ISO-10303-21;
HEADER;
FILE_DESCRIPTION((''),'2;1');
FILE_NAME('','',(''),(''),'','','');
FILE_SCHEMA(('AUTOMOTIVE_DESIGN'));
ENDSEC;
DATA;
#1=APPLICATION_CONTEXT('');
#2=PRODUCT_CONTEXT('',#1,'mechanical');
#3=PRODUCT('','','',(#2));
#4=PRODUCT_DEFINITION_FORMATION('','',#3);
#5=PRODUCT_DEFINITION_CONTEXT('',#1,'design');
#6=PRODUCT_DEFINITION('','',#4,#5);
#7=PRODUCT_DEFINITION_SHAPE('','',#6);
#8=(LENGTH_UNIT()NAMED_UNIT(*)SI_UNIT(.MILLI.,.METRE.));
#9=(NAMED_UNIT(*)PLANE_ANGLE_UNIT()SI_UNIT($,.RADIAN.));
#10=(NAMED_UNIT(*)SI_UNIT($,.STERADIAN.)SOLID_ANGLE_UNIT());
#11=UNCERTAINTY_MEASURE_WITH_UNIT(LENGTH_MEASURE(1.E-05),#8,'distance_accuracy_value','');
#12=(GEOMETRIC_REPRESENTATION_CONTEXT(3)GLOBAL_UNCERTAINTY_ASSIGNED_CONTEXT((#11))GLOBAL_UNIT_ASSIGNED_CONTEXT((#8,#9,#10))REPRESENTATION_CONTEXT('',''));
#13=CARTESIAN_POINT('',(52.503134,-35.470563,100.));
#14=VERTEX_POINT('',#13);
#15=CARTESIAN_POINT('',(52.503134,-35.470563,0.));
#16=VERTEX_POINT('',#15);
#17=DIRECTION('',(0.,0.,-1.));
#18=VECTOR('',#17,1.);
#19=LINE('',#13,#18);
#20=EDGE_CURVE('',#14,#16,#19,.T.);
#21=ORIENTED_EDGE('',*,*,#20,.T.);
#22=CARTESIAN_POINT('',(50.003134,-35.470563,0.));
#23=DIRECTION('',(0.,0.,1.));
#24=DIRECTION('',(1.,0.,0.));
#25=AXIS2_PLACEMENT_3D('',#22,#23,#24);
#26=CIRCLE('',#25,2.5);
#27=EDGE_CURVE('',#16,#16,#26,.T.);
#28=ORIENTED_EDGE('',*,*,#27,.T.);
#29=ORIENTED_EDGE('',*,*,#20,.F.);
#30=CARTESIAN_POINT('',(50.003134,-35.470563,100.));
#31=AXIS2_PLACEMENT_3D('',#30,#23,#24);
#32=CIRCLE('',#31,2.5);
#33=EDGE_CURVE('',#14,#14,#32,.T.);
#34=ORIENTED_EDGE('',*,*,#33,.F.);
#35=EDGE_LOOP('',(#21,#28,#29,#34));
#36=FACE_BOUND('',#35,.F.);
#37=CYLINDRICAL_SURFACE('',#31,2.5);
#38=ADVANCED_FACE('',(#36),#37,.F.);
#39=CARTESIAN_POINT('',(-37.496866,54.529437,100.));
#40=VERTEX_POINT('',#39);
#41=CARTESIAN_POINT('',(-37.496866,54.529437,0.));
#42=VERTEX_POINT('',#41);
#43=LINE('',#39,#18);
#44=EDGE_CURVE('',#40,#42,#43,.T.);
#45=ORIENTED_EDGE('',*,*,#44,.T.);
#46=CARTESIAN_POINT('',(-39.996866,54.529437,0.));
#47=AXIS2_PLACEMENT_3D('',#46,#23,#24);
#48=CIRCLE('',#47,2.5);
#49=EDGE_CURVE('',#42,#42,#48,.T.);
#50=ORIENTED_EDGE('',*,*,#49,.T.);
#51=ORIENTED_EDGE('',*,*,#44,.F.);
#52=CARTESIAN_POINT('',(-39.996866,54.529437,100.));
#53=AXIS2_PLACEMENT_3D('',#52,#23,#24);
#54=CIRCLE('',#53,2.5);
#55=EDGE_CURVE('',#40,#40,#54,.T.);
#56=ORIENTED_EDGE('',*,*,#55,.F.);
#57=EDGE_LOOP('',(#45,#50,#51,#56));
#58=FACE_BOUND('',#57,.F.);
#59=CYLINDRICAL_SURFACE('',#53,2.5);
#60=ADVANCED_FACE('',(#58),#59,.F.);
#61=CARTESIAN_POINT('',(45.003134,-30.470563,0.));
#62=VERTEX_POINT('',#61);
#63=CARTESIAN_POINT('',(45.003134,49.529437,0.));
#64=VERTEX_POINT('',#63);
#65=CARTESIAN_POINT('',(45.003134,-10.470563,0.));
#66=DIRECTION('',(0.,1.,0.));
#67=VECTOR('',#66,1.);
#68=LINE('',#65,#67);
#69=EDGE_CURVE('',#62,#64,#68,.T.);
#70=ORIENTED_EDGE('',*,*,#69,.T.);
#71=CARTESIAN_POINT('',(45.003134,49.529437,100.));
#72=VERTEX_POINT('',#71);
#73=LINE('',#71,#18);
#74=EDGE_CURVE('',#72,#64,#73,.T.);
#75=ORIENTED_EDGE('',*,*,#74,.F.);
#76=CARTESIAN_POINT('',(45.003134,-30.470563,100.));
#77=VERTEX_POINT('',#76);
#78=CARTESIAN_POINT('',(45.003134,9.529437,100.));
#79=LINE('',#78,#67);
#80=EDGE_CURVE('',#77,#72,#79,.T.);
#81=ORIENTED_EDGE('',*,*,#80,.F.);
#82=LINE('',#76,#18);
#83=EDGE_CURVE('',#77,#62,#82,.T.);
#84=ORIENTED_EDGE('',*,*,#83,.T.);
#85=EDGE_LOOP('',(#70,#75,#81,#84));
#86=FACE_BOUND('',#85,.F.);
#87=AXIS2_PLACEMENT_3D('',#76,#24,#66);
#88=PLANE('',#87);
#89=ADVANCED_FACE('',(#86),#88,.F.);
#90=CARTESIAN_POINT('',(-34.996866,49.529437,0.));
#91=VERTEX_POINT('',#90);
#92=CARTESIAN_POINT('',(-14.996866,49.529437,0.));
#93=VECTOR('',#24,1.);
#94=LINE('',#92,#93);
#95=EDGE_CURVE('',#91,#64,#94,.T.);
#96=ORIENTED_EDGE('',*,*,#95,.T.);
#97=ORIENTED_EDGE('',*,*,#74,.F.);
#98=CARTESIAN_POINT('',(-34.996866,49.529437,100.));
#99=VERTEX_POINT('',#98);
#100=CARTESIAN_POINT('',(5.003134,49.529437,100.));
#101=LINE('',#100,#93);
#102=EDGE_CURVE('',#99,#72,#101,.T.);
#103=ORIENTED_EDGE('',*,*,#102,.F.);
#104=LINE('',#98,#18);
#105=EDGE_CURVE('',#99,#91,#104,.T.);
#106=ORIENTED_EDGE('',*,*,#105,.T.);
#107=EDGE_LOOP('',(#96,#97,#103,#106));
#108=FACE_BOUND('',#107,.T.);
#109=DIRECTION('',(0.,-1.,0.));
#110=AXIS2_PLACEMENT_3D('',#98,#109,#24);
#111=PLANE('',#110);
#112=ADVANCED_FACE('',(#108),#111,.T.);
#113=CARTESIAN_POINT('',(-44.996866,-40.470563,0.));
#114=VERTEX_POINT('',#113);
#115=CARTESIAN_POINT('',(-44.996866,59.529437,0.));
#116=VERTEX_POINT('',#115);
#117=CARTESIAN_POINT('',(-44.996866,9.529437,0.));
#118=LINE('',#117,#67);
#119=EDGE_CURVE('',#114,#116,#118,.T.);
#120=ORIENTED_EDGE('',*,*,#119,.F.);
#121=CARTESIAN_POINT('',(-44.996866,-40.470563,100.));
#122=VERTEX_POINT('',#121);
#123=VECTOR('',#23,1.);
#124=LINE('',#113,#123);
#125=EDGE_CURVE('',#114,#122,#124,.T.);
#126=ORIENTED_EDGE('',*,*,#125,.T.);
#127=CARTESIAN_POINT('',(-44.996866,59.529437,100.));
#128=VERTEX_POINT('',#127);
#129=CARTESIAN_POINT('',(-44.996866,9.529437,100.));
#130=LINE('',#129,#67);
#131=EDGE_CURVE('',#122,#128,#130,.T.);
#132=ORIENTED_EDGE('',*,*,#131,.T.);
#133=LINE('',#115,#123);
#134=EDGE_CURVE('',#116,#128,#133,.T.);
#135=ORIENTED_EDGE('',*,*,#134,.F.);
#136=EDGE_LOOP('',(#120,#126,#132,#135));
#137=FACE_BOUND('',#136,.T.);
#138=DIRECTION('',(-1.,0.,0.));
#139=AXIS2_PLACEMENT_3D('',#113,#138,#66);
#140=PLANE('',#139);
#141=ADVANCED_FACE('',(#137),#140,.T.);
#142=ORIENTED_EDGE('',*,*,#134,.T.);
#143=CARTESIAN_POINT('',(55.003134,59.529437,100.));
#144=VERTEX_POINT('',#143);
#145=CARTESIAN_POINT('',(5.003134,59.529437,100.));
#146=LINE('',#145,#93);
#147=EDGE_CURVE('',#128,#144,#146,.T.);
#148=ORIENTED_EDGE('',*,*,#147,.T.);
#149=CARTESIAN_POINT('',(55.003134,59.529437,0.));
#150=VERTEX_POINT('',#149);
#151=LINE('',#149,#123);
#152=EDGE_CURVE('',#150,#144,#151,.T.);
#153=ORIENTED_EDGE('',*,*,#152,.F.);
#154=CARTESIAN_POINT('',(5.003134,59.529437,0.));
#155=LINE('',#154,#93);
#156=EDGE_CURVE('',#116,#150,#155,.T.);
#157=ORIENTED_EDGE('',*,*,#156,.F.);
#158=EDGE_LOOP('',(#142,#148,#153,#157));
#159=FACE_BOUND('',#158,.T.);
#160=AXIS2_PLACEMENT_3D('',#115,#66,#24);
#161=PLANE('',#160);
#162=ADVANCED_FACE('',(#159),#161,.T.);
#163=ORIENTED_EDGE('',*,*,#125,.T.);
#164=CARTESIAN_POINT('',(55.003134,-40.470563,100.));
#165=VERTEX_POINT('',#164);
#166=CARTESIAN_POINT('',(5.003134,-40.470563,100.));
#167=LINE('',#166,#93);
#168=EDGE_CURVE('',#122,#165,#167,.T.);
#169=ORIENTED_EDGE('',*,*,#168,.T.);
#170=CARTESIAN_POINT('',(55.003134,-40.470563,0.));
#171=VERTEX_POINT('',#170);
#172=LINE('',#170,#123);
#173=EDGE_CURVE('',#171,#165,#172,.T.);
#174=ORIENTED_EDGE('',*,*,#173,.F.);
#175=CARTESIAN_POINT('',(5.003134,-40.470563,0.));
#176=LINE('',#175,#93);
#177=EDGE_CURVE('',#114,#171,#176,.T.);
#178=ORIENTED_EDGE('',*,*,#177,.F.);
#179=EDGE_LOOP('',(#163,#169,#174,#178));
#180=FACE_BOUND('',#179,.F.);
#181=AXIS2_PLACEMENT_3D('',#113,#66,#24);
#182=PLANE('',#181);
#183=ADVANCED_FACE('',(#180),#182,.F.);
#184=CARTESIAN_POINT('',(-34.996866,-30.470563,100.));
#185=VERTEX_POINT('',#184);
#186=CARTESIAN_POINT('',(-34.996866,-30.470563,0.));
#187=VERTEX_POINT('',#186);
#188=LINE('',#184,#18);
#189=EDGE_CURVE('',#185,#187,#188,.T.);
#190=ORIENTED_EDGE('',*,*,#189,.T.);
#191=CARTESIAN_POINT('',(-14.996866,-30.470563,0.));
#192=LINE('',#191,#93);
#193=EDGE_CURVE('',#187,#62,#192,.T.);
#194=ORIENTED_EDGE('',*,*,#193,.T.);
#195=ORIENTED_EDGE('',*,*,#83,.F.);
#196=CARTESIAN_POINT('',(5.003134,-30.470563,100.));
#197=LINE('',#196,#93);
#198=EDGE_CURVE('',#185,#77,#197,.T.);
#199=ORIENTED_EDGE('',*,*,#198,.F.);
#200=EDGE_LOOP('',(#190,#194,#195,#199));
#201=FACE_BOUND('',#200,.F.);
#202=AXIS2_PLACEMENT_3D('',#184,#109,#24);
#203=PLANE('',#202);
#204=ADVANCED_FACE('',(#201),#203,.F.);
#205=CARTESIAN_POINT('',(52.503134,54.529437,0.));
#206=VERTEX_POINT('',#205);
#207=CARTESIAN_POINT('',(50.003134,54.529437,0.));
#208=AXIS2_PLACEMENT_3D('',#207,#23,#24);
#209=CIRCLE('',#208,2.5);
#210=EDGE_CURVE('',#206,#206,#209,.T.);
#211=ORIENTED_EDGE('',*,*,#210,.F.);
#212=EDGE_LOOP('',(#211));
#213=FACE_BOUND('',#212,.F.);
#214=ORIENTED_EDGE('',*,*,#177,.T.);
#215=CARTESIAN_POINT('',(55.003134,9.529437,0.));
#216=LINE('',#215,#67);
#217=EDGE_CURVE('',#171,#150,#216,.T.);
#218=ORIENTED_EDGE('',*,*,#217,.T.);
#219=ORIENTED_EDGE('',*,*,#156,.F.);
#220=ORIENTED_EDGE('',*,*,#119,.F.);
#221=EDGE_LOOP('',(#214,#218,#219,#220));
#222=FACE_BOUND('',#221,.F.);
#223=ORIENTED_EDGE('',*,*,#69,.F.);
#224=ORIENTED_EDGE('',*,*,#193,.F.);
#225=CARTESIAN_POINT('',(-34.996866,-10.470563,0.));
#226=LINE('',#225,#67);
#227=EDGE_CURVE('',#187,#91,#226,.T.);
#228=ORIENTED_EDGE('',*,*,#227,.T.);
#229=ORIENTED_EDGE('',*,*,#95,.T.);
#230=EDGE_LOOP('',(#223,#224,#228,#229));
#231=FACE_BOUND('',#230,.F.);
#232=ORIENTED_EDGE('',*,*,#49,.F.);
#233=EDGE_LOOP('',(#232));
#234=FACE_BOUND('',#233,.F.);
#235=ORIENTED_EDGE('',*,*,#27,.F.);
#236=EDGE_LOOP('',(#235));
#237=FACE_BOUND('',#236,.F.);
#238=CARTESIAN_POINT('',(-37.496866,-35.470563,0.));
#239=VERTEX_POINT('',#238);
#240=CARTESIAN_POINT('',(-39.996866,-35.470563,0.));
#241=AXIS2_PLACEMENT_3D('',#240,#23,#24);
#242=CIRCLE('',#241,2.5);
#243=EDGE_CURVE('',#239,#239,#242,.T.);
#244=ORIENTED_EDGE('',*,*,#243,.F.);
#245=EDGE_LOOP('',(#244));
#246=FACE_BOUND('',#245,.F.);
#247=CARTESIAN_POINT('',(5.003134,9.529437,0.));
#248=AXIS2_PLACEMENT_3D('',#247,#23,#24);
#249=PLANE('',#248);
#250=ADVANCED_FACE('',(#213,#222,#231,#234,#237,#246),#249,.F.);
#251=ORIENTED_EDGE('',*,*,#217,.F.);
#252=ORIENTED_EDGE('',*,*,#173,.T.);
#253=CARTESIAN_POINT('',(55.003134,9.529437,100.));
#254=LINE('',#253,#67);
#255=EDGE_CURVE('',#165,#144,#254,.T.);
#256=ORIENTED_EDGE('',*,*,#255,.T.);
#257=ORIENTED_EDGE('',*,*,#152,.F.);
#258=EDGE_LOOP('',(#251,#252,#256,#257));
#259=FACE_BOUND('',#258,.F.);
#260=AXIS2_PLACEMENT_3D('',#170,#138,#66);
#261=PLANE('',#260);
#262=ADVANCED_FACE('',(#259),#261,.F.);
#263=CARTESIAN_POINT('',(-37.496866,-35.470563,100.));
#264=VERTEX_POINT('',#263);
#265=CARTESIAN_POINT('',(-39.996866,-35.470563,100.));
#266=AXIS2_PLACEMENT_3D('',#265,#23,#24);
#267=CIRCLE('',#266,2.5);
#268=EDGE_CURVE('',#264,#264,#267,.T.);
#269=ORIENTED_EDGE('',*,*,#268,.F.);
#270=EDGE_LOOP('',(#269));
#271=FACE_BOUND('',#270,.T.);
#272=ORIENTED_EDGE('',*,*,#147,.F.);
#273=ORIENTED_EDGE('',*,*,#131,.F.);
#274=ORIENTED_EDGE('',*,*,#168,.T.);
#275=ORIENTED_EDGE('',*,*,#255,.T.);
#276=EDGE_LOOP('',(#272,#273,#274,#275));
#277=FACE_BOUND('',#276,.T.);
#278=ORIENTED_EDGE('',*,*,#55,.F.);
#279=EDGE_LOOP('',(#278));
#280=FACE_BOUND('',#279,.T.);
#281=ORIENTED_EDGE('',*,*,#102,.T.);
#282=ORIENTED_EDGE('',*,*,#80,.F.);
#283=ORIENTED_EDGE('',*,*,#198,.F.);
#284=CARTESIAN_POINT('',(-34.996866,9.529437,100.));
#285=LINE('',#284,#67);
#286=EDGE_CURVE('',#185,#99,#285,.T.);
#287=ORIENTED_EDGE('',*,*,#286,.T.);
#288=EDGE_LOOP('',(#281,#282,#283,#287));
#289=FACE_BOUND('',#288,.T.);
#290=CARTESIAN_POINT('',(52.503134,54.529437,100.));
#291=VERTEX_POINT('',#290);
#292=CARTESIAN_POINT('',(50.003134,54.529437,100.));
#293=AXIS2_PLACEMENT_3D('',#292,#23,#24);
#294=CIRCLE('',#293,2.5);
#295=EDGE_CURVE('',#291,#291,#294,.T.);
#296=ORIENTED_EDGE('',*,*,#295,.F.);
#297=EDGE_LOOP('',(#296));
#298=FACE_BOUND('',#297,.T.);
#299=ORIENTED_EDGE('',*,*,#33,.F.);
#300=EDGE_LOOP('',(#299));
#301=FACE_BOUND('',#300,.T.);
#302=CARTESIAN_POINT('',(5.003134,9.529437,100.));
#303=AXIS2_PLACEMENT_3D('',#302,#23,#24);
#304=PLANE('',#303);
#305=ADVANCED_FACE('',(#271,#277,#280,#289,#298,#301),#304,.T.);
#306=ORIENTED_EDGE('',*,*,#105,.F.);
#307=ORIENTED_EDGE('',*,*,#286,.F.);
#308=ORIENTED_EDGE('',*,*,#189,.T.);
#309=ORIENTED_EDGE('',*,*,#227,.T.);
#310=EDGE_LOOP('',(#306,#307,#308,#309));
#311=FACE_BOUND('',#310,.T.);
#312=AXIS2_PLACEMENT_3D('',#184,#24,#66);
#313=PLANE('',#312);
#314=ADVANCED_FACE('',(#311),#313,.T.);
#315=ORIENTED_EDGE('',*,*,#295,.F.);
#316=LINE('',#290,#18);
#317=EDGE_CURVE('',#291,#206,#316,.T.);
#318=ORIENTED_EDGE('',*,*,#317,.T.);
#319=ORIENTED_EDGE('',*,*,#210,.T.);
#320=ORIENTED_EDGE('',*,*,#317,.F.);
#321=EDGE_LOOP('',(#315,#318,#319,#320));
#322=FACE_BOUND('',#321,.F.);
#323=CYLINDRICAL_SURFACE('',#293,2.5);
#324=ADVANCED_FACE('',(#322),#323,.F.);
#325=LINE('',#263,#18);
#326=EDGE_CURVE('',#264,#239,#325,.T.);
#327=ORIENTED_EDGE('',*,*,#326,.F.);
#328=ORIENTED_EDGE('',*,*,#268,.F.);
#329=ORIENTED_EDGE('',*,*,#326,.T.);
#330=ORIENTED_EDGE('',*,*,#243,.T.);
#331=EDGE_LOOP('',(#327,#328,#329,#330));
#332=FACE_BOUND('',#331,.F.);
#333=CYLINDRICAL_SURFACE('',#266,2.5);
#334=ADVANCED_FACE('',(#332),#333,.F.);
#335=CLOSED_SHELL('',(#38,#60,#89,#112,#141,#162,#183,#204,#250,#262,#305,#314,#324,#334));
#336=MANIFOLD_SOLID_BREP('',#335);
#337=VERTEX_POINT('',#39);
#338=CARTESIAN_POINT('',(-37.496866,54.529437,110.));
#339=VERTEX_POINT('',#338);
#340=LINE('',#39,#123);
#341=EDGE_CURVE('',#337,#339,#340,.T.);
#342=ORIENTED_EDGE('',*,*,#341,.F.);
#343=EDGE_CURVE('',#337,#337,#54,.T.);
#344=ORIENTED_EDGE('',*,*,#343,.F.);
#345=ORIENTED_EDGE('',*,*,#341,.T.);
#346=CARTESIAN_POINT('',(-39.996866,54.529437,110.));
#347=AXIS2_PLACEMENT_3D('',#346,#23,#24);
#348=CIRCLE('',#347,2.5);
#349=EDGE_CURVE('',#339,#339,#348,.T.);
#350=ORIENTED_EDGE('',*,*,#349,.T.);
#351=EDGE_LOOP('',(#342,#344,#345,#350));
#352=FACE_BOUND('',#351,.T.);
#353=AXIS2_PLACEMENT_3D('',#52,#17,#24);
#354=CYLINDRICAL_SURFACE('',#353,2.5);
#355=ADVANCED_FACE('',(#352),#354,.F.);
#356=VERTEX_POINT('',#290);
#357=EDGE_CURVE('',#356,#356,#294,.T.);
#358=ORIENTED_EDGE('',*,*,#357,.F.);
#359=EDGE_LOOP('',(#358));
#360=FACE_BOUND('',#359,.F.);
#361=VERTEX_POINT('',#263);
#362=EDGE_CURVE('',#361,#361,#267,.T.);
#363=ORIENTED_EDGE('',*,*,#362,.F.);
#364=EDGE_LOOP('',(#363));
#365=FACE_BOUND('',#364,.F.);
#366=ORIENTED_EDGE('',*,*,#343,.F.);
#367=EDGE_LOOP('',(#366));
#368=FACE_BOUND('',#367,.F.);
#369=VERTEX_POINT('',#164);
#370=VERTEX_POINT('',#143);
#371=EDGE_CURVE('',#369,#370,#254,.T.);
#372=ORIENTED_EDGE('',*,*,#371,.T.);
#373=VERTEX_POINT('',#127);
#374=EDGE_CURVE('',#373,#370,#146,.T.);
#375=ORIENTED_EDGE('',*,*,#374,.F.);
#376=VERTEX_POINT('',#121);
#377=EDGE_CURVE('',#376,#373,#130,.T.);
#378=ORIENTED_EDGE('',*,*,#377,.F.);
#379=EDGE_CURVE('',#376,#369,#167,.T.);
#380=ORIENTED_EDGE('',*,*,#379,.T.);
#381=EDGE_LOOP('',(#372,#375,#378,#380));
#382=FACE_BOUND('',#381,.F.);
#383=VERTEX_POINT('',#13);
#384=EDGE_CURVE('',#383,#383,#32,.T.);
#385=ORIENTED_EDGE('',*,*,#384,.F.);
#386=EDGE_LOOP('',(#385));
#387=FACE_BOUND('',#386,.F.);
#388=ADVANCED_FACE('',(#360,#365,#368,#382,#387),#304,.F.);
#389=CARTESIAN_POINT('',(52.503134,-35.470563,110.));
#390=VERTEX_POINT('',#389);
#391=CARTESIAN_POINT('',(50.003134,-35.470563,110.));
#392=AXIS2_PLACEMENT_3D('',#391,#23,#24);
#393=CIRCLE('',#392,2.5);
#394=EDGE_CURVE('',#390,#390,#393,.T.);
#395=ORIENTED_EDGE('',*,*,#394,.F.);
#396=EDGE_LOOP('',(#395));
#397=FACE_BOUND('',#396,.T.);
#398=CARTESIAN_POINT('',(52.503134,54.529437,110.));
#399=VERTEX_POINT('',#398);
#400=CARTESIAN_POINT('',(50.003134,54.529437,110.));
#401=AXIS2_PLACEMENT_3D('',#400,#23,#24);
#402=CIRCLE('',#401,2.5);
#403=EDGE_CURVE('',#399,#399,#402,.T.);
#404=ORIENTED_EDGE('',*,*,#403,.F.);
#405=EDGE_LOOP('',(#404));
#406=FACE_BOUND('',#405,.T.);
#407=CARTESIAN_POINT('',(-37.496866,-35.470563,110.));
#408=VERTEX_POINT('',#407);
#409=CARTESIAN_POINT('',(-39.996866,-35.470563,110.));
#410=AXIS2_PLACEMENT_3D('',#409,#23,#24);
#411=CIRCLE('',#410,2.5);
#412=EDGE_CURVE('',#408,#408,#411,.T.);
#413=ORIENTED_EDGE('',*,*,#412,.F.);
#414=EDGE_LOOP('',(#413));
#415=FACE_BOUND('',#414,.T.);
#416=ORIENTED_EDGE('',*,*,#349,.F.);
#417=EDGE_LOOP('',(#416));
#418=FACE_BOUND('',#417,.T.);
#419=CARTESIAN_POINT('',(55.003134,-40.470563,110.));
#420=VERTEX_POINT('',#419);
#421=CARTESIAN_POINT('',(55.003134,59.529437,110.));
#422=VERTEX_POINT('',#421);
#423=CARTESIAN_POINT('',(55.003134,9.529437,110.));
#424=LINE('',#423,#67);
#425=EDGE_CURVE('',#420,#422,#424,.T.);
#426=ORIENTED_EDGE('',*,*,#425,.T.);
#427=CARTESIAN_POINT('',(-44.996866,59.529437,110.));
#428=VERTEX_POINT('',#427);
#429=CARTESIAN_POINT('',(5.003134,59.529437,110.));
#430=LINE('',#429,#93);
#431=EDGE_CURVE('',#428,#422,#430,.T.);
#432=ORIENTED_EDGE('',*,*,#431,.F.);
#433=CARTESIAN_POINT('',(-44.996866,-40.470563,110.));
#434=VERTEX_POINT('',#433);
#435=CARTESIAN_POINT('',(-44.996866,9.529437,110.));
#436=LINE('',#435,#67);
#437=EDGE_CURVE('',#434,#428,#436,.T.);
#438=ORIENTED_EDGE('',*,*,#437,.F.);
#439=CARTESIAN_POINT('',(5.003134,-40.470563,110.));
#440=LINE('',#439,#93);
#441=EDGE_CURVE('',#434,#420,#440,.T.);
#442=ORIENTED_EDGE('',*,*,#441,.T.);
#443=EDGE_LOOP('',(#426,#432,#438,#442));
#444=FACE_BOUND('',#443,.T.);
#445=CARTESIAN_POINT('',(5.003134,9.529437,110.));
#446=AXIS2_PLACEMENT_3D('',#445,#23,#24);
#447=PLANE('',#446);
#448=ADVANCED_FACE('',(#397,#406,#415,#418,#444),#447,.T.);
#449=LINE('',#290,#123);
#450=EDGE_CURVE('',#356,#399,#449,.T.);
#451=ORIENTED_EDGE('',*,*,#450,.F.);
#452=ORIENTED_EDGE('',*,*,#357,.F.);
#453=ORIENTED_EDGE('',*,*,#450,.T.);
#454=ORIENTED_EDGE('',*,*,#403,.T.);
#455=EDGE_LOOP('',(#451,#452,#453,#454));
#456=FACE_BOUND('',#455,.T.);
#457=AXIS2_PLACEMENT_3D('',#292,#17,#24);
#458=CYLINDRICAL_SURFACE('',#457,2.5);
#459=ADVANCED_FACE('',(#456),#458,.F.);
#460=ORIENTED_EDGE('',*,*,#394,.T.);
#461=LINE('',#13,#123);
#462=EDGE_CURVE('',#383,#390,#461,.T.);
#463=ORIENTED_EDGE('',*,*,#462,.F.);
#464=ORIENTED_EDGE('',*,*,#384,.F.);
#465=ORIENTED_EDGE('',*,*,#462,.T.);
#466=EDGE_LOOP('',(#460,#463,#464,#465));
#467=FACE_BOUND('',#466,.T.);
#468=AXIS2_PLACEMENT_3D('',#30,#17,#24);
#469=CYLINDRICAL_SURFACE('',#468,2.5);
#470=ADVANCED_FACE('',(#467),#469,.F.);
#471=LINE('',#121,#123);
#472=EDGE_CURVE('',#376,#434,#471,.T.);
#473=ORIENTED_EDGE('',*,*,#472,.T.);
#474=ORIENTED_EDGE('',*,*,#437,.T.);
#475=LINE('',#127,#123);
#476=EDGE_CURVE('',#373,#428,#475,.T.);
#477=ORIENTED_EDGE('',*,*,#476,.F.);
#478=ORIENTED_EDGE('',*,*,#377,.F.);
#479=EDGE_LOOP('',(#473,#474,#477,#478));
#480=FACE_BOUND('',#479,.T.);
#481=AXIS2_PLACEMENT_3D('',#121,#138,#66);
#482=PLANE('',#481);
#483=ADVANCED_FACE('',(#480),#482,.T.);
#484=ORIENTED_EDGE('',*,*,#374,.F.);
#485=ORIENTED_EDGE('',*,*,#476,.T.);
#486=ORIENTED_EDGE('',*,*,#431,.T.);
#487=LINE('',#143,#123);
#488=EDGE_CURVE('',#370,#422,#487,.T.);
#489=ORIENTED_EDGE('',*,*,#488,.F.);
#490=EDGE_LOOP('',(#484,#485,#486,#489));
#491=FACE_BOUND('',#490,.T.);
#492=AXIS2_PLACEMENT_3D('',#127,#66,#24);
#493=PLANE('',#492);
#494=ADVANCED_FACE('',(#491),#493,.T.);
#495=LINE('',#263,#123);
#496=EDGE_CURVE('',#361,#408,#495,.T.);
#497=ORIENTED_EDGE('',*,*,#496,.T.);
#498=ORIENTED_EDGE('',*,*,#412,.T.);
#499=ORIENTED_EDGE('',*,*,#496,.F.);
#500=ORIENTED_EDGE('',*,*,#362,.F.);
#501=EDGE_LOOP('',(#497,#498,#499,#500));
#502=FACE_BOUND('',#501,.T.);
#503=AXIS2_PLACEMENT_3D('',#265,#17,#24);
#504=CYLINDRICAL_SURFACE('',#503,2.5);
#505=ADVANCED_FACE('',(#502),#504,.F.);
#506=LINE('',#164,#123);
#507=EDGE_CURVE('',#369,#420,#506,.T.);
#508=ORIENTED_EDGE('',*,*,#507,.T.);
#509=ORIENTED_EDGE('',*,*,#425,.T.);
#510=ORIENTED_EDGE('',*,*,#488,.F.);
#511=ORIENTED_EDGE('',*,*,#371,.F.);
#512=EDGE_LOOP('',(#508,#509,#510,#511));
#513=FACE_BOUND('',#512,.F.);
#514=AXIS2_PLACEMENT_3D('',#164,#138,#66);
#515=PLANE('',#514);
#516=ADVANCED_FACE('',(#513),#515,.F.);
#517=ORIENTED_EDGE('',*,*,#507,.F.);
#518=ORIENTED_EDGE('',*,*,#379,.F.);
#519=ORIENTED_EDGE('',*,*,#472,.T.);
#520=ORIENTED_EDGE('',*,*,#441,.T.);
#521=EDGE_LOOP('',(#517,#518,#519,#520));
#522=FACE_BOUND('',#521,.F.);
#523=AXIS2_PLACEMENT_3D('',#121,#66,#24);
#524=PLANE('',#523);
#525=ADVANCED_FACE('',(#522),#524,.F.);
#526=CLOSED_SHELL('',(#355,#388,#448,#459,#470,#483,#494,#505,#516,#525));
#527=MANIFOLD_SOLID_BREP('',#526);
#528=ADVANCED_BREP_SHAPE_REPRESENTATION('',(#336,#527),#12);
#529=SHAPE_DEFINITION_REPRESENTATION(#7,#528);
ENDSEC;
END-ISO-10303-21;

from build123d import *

# Parameters (mm, degrees)
F0_W     = 100
F0_H     = 100
F1_DEPTH = 100
F2_W     = 80
F2_H     = 80
F3_DEPTH = 100.001
F4_R     = 2.5
F5_DEPTH = 100.001
F6_W     = 100
F6_H     = 100
F6_R     = 2.5
F7_DEPTH = 10


with BuildPart() as f1:
    # F0 (on Top) → F1 (new body)
    with BuildSketch(Plane.XY):
        with Locations((5.003134, 9.529437)):
            Rectangle(F0_W, F0_H)
    extrude(amount=F1_DEPTH)

    # F2 (on face) → F3 (cut, through all)
    with BuildSketch(Plane.XY.offset(100)):
        with Locations((5.003134, 9.529437)):
            Rectangle(F2_W, F2_H)
    extrude(amount=-F3_DEPTH, mode=Mode.SUBTRACT)

    # F4 (on face) → F5 (cut, through all)
    with BuildSketch(Plane.XY.offset(100)):
        with Locations((-39.996866, 54.529437)):
            Circle(F4_R)
        with Locations((50.003134, 54.529437)):
            Circle(F4_R)
        with Locations((-39.996866, -35.470563)):
            Circle(F4_R)
        with Locations((50.003134, -35.470563)):
            Circle(F4_R)
    extrude(amount=-F5_DEPTH, mode=Mode.SUBTRACT)


with BuildPart() as f7:
    # F6 (on face) → F7 (new body)
    with BuildSketch(Plane.XY.offset(100)):
        with Locations((5.003134, 9.529437)):
            Rectangle(F6_W, F6_H)
        with Locations((-39.996866, -35.470563)):
            Circle(F6_R, mode=Mode.SUBTRACT)
        with Locations((50.003134, -35.470563)):
            Circle(F6_R, mode=Mode.SUBTRACT)
        with Locations((-39.996866, 54.529437)):
            Circle(F6_R, mode=Mode.SUBTRACT)
        with Locations((50.003134, 54.529437)):
            Circle(F6_R, mode=Mode.SUBTRACT)
    extrude(amount=F7_DEPTH)


solid = Compound([f1.part, f7.part])
